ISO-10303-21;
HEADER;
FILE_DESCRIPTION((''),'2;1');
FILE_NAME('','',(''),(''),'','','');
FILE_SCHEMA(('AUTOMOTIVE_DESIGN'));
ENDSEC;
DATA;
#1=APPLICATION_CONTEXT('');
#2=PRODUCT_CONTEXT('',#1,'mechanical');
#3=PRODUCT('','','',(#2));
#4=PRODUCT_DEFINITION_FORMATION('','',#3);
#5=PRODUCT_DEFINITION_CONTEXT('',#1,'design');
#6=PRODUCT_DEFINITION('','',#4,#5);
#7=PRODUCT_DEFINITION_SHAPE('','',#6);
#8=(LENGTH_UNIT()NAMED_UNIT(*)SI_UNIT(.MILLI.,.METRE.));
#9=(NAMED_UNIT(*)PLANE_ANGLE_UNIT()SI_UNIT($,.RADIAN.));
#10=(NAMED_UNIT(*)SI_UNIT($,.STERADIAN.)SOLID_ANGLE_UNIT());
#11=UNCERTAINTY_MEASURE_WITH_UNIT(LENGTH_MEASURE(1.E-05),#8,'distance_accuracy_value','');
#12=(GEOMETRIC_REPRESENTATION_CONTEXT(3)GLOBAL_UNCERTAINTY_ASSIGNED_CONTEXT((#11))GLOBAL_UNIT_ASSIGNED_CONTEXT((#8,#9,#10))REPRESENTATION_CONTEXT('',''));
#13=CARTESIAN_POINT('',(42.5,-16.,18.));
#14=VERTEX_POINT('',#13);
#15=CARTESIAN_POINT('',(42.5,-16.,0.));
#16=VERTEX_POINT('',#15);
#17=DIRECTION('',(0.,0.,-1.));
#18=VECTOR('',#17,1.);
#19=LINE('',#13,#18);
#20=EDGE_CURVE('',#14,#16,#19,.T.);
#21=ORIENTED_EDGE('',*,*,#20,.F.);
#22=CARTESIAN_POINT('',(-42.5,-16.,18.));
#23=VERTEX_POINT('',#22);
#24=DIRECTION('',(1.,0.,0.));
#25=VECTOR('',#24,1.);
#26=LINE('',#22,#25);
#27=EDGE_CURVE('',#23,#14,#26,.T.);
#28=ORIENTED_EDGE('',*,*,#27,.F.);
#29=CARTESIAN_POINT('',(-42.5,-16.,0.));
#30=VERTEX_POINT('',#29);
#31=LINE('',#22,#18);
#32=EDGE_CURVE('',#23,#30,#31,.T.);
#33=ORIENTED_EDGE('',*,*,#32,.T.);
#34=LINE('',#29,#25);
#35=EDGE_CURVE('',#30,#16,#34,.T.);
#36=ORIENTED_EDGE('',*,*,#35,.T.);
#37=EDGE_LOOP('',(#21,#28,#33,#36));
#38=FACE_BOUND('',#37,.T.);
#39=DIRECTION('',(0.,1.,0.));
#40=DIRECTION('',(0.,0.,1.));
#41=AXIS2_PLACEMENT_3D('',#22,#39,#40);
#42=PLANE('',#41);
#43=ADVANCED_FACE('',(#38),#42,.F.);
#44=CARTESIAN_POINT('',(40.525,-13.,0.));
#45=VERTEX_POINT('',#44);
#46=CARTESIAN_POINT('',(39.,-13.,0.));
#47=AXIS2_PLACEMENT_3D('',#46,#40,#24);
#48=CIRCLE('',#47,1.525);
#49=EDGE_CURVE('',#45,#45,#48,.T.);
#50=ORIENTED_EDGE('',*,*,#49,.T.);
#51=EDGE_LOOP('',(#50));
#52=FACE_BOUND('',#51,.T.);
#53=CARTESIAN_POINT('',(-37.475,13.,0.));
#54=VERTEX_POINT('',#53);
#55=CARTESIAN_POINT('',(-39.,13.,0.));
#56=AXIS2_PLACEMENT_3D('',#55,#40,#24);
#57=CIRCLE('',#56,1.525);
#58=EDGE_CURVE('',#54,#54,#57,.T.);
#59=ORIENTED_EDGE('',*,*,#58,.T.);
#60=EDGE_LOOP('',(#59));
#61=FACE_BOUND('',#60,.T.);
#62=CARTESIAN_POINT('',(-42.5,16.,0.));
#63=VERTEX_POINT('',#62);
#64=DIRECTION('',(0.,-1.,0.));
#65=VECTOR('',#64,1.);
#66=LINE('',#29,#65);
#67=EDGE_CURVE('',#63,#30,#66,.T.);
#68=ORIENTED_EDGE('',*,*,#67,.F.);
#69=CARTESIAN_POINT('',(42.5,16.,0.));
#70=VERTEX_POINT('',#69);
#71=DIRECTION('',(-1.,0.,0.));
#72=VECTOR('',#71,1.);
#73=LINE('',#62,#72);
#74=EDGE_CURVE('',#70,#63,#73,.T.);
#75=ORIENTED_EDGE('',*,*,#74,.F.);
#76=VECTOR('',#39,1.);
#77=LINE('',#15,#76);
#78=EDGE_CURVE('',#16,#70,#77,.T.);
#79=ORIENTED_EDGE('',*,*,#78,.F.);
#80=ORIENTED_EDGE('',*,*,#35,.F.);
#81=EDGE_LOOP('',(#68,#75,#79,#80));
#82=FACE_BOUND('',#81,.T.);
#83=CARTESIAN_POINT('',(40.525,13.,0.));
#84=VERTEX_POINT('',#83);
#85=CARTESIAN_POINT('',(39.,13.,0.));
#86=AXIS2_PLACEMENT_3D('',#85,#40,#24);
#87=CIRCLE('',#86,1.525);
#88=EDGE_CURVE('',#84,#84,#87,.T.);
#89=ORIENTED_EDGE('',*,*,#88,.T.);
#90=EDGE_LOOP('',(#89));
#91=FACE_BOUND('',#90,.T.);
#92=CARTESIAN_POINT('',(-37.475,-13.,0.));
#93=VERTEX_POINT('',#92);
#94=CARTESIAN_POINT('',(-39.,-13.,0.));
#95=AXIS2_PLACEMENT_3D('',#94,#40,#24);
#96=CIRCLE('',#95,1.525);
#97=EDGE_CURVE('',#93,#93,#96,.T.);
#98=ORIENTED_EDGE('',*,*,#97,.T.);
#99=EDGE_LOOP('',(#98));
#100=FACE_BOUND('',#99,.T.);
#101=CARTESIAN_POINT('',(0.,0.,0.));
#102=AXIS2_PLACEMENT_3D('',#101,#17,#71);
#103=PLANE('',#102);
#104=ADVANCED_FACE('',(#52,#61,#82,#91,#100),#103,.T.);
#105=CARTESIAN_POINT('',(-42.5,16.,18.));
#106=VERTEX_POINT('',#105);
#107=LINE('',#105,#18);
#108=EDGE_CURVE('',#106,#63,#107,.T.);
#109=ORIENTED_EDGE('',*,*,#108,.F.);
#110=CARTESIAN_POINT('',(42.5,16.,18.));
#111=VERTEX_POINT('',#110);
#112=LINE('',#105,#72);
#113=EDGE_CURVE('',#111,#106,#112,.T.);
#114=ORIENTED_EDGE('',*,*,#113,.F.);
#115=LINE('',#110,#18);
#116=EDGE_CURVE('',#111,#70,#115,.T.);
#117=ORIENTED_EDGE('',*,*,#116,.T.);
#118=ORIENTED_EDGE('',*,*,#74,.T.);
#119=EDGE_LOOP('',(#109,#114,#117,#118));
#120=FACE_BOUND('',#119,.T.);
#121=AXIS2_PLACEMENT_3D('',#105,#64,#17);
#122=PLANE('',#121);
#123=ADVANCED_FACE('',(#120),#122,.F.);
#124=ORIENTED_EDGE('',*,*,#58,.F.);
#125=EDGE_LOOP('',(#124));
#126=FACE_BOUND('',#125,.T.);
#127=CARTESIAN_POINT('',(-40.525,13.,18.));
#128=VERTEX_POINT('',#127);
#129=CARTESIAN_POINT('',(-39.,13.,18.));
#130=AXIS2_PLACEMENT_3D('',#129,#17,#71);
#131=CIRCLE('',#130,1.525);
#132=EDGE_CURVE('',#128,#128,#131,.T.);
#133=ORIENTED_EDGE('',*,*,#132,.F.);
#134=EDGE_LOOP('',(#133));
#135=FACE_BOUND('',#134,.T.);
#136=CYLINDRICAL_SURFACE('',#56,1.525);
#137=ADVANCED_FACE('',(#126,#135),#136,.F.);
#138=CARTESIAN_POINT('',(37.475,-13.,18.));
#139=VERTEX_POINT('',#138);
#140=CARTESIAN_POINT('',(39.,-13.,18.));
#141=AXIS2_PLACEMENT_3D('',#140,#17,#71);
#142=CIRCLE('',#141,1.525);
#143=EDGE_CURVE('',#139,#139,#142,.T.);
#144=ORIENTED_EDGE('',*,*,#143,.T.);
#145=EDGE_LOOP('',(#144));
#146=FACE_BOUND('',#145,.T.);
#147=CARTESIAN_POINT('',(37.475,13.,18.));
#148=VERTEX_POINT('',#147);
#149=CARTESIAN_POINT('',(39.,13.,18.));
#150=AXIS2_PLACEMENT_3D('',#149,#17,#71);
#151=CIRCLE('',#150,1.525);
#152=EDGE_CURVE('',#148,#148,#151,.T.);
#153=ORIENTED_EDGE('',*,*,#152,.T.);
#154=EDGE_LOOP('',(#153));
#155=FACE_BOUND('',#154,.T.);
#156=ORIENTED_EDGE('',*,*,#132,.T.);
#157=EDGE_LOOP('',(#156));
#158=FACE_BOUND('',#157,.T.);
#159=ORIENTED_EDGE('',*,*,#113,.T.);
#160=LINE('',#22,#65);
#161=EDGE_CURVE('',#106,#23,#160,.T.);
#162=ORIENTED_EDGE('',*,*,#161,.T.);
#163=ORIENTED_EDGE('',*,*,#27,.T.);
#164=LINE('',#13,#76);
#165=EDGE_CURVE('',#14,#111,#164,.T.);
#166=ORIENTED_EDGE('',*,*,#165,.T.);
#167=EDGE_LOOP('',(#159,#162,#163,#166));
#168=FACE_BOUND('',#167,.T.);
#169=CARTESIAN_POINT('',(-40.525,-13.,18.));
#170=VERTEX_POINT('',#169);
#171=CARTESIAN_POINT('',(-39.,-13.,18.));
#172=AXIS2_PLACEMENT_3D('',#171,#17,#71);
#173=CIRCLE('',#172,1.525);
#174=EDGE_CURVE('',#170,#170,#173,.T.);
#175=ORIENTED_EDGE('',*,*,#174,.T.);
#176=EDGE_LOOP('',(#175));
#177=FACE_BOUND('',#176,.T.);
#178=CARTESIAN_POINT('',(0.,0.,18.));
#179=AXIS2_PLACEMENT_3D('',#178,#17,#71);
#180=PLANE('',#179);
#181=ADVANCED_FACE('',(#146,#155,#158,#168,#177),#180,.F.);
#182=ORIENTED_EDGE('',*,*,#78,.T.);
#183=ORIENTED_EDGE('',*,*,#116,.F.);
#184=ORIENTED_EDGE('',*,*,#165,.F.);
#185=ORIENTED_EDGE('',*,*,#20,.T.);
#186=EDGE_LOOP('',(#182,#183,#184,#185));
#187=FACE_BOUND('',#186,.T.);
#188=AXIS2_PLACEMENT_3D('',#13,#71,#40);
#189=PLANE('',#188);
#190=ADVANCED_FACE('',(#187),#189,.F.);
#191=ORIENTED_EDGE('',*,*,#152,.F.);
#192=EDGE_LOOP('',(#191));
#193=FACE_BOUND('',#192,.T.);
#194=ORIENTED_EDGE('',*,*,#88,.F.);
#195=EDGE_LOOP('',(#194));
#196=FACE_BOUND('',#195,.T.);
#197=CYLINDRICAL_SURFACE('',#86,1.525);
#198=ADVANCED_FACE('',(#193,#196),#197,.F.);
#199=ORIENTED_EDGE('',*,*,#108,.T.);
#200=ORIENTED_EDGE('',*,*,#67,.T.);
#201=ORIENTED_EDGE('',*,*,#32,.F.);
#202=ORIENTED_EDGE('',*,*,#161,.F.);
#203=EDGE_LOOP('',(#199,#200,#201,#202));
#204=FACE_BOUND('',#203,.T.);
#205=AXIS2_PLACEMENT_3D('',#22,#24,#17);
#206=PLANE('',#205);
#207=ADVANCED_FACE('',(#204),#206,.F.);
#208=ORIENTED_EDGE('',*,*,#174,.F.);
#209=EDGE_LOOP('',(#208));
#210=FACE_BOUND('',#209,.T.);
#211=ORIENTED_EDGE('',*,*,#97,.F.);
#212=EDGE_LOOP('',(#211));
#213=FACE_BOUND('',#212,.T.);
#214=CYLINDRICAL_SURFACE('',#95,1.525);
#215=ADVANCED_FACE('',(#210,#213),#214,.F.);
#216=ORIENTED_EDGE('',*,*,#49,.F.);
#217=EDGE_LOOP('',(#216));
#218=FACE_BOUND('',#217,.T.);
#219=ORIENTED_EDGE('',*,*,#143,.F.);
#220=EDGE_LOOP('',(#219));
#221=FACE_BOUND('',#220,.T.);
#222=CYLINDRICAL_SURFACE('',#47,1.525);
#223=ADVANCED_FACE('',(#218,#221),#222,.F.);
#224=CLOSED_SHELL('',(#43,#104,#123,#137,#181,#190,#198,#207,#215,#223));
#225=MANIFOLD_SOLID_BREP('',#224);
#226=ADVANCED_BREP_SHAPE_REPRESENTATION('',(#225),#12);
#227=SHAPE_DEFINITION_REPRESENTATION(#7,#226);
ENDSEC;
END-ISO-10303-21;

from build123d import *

# Parameters (mm, degrees)
SKETCH_1_W               = 85
SKETCH_1_H               = 32
EXTRUDE_1_DEPTH          = 18
SKETCH_2_R               = 1.525
CUT_EXTRUDE_1_DEPTH      = 1
CUT_EXTRUDE_1_DEPTH_BACK = 19


with BuildPart() as part:
    # 草图1 → 凸台-拉伸1 (new body)
    with BuildSketch(Plane.XY):
        Rectangle(SKETCH_1_W, SKETCH_1_H)
    extrude(amount=EXTRUDE_1_DEPTH)

    # 草图2 → 切除-拉伸1 (cut, two sides)
    with BuildSketch(Plane.XY.offset(18)) as cut_extrude_1_sk:
        with Locations((39, 13)):
            Circle(SKETCH_2_R)
        with Locations((39, -13)):
            Circle(SKETCH_2_R)
        with Locations((-39, -13)):
            Circle(SKETCH_2_R)
        with Locations((-39, 13)):
            Circle(SKETCH_2_R)
    extrude(amount=CUT_EXTRUDE_1_DEPTH, mode=Mode.SUBTRACT)
    extrude(cut_extrude_1_sk.sketch, amount=-CUT_EXTRUDE_1_DEPTH_BACK, mode=Mode.SUBTRACT)


solid = part.part
